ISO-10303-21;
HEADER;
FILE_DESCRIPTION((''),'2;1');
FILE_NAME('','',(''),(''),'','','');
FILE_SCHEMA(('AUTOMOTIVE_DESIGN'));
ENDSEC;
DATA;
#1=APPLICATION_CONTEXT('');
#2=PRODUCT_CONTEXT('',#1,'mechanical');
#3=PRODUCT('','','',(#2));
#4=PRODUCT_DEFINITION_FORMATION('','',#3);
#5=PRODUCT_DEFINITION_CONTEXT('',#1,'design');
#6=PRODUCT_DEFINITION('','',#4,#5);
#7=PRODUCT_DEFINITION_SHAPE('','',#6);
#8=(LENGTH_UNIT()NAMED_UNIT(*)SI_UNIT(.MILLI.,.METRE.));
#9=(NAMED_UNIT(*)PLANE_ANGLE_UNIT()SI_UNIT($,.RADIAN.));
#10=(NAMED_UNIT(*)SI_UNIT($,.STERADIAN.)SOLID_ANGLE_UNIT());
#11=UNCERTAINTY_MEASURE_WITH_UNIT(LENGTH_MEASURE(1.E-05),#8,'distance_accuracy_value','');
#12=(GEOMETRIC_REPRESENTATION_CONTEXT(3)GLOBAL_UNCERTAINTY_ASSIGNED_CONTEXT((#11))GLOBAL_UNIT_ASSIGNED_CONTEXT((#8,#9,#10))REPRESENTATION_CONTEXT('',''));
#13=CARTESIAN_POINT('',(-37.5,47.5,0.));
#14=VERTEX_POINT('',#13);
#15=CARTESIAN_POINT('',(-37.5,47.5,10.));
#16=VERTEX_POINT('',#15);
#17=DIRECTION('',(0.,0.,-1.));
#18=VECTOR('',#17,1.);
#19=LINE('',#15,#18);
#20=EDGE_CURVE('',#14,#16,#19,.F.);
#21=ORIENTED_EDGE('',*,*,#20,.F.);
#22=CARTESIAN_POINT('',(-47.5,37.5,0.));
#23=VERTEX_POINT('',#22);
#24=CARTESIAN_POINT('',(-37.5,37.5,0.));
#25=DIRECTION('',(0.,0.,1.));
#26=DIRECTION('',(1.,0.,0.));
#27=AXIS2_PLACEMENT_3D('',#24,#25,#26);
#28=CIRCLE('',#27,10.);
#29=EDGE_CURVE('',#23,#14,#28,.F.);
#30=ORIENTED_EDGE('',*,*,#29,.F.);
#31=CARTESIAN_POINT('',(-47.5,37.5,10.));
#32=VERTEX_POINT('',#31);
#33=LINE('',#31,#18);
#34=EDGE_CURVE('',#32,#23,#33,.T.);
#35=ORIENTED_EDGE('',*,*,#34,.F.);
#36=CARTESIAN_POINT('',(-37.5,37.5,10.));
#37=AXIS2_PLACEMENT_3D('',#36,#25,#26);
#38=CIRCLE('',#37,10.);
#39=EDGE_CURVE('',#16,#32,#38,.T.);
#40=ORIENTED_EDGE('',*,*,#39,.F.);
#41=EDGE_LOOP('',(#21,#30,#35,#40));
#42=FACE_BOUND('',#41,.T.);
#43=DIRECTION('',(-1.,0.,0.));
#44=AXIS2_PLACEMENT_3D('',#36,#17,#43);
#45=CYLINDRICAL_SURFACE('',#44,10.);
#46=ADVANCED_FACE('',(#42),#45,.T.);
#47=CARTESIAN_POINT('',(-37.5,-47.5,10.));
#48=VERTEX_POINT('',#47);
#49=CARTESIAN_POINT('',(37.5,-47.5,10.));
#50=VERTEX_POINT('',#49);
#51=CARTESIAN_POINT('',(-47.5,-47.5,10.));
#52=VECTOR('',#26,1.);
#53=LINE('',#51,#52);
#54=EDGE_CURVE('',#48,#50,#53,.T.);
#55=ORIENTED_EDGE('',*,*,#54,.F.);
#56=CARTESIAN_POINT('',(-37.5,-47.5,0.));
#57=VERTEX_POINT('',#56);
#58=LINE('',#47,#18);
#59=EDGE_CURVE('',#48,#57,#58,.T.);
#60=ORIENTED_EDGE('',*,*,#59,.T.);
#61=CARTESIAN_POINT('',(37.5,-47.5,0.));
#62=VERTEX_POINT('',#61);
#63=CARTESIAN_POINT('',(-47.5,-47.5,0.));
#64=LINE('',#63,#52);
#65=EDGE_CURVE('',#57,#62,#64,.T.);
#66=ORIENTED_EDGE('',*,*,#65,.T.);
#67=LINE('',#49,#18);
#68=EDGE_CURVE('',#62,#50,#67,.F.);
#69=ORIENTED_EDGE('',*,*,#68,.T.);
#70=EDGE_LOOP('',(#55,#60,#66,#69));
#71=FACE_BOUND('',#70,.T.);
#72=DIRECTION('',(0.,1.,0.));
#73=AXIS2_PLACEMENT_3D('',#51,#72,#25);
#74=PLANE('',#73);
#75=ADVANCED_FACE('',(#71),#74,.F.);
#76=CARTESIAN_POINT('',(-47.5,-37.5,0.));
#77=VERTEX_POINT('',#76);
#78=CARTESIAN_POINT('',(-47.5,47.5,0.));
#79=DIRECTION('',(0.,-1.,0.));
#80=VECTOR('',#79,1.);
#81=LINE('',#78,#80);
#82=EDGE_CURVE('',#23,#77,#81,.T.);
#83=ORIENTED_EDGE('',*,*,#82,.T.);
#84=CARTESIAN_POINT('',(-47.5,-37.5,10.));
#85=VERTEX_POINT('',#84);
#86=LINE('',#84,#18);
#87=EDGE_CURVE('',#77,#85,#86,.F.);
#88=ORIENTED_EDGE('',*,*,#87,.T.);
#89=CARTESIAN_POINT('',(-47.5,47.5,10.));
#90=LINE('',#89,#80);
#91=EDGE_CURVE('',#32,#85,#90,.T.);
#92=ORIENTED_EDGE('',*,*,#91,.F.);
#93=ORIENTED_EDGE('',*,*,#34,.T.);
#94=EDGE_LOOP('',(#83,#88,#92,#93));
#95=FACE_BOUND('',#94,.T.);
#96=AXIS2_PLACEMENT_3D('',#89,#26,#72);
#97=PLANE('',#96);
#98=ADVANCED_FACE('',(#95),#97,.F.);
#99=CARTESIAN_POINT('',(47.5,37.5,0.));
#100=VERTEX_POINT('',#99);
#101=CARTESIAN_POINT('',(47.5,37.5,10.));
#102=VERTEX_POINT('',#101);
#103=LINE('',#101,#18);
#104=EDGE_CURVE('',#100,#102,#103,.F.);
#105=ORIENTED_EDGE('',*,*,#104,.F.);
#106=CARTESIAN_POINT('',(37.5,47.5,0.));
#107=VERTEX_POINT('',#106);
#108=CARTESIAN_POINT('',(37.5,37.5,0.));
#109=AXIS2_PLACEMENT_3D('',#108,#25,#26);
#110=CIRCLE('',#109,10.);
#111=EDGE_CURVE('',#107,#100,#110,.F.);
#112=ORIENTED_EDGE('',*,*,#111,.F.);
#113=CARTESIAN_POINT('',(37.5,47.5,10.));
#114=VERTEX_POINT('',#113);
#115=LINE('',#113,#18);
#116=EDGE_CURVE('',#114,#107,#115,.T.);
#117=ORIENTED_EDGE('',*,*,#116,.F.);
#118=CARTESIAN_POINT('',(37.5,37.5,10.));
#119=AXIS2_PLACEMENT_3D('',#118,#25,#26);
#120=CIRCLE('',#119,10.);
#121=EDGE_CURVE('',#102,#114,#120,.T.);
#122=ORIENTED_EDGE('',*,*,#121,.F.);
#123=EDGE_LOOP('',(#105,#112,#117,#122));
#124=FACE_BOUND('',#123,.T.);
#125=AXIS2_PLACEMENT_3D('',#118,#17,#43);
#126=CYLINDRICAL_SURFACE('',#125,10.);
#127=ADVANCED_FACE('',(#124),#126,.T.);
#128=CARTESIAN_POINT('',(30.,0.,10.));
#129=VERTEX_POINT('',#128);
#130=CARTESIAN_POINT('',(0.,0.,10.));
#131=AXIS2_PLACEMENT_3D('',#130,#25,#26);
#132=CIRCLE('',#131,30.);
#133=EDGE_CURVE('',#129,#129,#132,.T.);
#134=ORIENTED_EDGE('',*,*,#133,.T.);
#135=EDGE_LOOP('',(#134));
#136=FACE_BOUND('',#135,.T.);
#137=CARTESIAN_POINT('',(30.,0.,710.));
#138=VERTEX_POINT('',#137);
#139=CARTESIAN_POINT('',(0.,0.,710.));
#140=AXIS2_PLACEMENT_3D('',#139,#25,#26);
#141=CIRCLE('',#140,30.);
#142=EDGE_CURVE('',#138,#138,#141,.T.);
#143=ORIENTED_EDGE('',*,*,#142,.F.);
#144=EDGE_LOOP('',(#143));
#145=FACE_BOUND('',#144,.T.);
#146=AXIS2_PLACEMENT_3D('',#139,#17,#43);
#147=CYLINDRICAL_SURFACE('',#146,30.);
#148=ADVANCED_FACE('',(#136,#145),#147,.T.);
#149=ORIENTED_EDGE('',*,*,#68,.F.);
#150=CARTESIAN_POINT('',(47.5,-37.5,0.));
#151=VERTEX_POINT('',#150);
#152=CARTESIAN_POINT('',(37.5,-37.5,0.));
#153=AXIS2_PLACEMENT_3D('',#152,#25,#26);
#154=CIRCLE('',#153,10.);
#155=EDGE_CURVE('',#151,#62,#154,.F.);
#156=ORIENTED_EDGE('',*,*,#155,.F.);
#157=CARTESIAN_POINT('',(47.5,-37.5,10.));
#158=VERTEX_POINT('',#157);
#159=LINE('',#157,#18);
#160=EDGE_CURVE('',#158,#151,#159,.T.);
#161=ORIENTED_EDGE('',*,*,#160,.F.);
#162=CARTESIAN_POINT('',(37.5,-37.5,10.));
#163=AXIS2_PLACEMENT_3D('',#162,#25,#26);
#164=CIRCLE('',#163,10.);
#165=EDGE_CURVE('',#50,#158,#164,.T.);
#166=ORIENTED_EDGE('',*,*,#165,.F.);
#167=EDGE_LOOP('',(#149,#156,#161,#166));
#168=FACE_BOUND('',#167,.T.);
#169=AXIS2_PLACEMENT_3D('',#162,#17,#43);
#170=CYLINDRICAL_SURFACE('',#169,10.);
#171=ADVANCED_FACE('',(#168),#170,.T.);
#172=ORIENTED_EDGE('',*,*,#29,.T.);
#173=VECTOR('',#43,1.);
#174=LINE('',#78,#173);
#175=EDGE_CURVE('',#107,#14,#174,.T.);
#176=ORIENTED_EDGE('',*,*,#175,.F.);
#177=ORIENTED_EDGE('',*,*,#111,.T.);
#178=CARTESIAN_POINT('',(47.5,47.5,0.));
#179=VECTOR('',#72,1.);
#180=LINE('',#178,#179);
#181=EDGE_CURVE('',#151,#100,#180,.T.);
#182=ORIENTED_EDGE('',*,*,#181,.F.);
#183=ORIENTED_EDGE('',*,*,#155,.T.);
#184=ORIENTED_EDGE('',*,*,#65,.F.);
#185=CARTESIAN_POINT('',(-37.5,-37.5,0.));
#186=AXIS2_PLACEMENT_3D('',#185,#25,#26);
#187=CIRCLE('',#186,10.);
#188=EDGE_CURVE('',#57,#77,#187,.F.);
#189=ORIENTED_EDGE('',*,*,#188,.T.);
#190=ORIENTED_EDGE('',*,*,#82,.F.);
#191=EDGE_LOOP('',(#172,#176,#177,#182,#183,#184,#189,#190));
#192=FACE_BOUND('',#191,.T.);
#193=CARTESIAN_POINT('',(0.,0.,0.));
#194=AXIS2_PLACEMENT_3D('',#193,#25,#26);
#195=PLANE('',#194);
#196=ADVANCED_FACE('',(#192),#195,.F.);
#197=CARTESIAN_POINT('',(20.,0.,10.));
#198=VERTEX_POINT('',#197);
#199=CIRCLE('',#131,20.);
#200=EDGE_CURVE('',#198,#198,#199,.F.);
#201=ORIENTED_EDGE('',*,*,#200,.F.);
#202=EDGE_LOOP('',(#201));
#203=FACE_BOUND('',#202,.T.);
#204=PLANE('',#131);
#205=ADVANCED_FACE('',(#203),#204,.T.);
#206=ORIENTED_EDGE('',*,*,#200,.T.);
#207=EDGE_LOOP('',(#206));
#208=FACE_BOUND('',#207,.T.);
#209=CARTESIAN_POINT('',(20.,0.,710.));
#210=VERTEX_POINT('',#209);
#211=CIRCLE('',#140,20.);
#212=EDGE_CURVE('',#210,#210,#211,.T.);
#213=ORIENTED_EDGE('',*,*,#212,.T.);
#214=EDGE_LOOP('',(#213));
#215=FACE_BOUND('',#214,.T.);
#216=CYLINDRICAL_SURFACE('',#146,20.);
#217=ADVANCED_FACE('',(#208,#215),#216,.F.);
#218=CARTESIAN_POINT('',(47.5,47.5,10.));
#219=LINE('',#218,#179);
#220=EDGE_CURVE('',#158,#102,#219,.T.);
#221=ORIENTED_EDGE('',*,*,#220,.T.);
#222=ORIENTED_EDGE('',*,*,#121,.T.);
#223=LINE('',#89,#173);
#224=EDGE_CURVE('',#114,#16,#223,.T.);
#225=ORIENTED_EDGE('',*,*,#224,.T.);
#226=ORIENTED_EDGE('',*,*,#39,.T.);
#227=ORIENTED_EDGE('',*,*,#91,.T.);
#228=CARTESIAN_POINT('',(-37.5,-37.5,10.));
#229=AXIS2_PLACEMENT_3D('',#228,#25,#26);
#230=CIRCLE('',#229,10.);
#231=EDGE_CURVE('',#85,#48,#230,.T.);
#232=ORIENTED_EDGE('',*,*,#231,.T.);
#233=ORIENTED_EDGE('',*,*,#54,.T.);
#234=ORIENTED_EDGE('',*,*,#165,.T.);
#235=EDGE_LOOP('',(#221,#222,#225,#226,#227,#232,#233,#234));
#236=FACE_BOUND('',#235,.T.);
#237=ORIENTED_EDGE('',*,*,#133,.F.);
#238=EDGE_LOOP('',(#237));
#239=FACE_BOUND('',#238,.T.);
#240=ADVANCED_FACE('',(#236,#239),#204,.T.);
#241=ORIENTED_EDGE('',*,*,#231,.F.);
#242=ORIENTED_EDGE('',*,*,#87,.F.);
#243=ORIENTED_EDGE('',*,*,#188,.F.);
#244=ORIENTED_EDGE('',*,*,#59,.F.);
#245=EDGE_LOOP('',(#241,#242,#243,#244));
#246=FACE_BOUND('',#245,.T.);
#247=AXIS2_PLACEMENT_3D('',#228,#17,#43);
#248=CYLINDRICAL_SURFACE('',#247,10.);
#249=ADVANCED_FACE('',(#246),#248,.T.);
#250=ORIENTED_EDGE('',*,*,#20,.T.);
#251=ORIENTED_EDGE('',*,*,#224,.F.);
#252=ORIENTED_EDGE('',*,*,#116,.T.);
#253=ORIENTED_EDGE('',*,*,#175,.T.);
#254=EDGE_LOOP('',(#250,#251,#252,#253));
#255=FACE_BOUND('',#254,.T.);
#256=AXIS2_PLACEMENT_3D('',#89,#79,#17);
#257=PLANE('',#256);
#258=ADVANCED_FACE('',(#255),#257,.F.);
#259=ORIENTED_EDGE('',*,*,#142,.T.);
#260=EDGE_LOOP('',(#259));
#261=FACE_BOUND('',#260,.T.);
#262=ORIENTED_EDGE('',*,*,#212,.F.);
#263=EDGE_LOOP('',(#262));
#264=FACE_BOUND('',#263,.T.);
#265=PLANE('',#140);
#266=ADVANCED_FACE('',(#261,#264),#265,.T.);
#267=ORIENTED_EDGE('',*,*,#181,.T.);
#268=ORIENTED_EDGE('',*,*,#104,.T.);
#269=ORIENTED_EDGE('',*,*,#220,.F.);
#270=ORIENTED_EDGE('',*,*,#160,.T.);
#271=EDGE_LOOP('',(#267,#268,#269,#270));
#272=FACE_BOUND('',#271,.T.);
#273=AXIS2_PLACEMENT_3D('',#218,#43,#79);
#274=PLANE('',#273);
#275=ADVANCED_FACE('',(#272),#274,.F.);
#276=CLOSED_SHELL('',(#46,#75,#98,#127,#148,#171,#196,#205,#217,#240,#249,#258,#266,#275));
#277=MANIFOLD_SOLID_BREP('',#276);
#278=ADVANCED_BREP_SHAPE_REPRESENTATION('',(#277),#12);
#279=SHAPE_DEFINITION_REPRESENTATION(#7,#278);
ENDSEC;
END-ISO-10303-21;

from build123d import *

# Parameters (mm, degrees)
PLATE_SKETCH_W      = 95
PLATE_SKETCH_H      = 95
PLATE_EXTRUDE_DEPTH = 10
PLATE_FILLET_R      = 10
POLE_SKETCH_R       = 30
POLE_SKETCH_R_2     = 20
POLE_EXTRUDE_DEPTH  = 700


with BuildPart() as part:
    # Plate Sketch → Plate Extrude (new body)
    with BuildSketch(Plane.XY):
        Rectangle(PLATE_SKETCH_W, PLATE_SKETCH_H)
    extrude(amount=PLATE_EXTRUDE_DEPTH)

    # Plate Fillet
    plate_fillet_edges = [part.edges().sort_by_distance(p)[0] for p in [
        (47.5, -47.5, 5),
        (-47.5, -47.5, 5),
        (-47.5, 47.5, 5),
        (47.5, 47.5, 5),
    ]]
    fillet(plate_fillet_edges, radius=PLATE_FILLET_R)

    # Pole Sketch → Pole Extrude (add)
    with BuildSketch(Plane.XY.offset(10)):
        Circle(POLE_SKETCH_R)
        Circle(POLE_SKETCH_R_2, mode=Mode.SUBTRACT)
    extrude(amount=POLE_EXTRUDE_DEPTH)


solid = part.part
